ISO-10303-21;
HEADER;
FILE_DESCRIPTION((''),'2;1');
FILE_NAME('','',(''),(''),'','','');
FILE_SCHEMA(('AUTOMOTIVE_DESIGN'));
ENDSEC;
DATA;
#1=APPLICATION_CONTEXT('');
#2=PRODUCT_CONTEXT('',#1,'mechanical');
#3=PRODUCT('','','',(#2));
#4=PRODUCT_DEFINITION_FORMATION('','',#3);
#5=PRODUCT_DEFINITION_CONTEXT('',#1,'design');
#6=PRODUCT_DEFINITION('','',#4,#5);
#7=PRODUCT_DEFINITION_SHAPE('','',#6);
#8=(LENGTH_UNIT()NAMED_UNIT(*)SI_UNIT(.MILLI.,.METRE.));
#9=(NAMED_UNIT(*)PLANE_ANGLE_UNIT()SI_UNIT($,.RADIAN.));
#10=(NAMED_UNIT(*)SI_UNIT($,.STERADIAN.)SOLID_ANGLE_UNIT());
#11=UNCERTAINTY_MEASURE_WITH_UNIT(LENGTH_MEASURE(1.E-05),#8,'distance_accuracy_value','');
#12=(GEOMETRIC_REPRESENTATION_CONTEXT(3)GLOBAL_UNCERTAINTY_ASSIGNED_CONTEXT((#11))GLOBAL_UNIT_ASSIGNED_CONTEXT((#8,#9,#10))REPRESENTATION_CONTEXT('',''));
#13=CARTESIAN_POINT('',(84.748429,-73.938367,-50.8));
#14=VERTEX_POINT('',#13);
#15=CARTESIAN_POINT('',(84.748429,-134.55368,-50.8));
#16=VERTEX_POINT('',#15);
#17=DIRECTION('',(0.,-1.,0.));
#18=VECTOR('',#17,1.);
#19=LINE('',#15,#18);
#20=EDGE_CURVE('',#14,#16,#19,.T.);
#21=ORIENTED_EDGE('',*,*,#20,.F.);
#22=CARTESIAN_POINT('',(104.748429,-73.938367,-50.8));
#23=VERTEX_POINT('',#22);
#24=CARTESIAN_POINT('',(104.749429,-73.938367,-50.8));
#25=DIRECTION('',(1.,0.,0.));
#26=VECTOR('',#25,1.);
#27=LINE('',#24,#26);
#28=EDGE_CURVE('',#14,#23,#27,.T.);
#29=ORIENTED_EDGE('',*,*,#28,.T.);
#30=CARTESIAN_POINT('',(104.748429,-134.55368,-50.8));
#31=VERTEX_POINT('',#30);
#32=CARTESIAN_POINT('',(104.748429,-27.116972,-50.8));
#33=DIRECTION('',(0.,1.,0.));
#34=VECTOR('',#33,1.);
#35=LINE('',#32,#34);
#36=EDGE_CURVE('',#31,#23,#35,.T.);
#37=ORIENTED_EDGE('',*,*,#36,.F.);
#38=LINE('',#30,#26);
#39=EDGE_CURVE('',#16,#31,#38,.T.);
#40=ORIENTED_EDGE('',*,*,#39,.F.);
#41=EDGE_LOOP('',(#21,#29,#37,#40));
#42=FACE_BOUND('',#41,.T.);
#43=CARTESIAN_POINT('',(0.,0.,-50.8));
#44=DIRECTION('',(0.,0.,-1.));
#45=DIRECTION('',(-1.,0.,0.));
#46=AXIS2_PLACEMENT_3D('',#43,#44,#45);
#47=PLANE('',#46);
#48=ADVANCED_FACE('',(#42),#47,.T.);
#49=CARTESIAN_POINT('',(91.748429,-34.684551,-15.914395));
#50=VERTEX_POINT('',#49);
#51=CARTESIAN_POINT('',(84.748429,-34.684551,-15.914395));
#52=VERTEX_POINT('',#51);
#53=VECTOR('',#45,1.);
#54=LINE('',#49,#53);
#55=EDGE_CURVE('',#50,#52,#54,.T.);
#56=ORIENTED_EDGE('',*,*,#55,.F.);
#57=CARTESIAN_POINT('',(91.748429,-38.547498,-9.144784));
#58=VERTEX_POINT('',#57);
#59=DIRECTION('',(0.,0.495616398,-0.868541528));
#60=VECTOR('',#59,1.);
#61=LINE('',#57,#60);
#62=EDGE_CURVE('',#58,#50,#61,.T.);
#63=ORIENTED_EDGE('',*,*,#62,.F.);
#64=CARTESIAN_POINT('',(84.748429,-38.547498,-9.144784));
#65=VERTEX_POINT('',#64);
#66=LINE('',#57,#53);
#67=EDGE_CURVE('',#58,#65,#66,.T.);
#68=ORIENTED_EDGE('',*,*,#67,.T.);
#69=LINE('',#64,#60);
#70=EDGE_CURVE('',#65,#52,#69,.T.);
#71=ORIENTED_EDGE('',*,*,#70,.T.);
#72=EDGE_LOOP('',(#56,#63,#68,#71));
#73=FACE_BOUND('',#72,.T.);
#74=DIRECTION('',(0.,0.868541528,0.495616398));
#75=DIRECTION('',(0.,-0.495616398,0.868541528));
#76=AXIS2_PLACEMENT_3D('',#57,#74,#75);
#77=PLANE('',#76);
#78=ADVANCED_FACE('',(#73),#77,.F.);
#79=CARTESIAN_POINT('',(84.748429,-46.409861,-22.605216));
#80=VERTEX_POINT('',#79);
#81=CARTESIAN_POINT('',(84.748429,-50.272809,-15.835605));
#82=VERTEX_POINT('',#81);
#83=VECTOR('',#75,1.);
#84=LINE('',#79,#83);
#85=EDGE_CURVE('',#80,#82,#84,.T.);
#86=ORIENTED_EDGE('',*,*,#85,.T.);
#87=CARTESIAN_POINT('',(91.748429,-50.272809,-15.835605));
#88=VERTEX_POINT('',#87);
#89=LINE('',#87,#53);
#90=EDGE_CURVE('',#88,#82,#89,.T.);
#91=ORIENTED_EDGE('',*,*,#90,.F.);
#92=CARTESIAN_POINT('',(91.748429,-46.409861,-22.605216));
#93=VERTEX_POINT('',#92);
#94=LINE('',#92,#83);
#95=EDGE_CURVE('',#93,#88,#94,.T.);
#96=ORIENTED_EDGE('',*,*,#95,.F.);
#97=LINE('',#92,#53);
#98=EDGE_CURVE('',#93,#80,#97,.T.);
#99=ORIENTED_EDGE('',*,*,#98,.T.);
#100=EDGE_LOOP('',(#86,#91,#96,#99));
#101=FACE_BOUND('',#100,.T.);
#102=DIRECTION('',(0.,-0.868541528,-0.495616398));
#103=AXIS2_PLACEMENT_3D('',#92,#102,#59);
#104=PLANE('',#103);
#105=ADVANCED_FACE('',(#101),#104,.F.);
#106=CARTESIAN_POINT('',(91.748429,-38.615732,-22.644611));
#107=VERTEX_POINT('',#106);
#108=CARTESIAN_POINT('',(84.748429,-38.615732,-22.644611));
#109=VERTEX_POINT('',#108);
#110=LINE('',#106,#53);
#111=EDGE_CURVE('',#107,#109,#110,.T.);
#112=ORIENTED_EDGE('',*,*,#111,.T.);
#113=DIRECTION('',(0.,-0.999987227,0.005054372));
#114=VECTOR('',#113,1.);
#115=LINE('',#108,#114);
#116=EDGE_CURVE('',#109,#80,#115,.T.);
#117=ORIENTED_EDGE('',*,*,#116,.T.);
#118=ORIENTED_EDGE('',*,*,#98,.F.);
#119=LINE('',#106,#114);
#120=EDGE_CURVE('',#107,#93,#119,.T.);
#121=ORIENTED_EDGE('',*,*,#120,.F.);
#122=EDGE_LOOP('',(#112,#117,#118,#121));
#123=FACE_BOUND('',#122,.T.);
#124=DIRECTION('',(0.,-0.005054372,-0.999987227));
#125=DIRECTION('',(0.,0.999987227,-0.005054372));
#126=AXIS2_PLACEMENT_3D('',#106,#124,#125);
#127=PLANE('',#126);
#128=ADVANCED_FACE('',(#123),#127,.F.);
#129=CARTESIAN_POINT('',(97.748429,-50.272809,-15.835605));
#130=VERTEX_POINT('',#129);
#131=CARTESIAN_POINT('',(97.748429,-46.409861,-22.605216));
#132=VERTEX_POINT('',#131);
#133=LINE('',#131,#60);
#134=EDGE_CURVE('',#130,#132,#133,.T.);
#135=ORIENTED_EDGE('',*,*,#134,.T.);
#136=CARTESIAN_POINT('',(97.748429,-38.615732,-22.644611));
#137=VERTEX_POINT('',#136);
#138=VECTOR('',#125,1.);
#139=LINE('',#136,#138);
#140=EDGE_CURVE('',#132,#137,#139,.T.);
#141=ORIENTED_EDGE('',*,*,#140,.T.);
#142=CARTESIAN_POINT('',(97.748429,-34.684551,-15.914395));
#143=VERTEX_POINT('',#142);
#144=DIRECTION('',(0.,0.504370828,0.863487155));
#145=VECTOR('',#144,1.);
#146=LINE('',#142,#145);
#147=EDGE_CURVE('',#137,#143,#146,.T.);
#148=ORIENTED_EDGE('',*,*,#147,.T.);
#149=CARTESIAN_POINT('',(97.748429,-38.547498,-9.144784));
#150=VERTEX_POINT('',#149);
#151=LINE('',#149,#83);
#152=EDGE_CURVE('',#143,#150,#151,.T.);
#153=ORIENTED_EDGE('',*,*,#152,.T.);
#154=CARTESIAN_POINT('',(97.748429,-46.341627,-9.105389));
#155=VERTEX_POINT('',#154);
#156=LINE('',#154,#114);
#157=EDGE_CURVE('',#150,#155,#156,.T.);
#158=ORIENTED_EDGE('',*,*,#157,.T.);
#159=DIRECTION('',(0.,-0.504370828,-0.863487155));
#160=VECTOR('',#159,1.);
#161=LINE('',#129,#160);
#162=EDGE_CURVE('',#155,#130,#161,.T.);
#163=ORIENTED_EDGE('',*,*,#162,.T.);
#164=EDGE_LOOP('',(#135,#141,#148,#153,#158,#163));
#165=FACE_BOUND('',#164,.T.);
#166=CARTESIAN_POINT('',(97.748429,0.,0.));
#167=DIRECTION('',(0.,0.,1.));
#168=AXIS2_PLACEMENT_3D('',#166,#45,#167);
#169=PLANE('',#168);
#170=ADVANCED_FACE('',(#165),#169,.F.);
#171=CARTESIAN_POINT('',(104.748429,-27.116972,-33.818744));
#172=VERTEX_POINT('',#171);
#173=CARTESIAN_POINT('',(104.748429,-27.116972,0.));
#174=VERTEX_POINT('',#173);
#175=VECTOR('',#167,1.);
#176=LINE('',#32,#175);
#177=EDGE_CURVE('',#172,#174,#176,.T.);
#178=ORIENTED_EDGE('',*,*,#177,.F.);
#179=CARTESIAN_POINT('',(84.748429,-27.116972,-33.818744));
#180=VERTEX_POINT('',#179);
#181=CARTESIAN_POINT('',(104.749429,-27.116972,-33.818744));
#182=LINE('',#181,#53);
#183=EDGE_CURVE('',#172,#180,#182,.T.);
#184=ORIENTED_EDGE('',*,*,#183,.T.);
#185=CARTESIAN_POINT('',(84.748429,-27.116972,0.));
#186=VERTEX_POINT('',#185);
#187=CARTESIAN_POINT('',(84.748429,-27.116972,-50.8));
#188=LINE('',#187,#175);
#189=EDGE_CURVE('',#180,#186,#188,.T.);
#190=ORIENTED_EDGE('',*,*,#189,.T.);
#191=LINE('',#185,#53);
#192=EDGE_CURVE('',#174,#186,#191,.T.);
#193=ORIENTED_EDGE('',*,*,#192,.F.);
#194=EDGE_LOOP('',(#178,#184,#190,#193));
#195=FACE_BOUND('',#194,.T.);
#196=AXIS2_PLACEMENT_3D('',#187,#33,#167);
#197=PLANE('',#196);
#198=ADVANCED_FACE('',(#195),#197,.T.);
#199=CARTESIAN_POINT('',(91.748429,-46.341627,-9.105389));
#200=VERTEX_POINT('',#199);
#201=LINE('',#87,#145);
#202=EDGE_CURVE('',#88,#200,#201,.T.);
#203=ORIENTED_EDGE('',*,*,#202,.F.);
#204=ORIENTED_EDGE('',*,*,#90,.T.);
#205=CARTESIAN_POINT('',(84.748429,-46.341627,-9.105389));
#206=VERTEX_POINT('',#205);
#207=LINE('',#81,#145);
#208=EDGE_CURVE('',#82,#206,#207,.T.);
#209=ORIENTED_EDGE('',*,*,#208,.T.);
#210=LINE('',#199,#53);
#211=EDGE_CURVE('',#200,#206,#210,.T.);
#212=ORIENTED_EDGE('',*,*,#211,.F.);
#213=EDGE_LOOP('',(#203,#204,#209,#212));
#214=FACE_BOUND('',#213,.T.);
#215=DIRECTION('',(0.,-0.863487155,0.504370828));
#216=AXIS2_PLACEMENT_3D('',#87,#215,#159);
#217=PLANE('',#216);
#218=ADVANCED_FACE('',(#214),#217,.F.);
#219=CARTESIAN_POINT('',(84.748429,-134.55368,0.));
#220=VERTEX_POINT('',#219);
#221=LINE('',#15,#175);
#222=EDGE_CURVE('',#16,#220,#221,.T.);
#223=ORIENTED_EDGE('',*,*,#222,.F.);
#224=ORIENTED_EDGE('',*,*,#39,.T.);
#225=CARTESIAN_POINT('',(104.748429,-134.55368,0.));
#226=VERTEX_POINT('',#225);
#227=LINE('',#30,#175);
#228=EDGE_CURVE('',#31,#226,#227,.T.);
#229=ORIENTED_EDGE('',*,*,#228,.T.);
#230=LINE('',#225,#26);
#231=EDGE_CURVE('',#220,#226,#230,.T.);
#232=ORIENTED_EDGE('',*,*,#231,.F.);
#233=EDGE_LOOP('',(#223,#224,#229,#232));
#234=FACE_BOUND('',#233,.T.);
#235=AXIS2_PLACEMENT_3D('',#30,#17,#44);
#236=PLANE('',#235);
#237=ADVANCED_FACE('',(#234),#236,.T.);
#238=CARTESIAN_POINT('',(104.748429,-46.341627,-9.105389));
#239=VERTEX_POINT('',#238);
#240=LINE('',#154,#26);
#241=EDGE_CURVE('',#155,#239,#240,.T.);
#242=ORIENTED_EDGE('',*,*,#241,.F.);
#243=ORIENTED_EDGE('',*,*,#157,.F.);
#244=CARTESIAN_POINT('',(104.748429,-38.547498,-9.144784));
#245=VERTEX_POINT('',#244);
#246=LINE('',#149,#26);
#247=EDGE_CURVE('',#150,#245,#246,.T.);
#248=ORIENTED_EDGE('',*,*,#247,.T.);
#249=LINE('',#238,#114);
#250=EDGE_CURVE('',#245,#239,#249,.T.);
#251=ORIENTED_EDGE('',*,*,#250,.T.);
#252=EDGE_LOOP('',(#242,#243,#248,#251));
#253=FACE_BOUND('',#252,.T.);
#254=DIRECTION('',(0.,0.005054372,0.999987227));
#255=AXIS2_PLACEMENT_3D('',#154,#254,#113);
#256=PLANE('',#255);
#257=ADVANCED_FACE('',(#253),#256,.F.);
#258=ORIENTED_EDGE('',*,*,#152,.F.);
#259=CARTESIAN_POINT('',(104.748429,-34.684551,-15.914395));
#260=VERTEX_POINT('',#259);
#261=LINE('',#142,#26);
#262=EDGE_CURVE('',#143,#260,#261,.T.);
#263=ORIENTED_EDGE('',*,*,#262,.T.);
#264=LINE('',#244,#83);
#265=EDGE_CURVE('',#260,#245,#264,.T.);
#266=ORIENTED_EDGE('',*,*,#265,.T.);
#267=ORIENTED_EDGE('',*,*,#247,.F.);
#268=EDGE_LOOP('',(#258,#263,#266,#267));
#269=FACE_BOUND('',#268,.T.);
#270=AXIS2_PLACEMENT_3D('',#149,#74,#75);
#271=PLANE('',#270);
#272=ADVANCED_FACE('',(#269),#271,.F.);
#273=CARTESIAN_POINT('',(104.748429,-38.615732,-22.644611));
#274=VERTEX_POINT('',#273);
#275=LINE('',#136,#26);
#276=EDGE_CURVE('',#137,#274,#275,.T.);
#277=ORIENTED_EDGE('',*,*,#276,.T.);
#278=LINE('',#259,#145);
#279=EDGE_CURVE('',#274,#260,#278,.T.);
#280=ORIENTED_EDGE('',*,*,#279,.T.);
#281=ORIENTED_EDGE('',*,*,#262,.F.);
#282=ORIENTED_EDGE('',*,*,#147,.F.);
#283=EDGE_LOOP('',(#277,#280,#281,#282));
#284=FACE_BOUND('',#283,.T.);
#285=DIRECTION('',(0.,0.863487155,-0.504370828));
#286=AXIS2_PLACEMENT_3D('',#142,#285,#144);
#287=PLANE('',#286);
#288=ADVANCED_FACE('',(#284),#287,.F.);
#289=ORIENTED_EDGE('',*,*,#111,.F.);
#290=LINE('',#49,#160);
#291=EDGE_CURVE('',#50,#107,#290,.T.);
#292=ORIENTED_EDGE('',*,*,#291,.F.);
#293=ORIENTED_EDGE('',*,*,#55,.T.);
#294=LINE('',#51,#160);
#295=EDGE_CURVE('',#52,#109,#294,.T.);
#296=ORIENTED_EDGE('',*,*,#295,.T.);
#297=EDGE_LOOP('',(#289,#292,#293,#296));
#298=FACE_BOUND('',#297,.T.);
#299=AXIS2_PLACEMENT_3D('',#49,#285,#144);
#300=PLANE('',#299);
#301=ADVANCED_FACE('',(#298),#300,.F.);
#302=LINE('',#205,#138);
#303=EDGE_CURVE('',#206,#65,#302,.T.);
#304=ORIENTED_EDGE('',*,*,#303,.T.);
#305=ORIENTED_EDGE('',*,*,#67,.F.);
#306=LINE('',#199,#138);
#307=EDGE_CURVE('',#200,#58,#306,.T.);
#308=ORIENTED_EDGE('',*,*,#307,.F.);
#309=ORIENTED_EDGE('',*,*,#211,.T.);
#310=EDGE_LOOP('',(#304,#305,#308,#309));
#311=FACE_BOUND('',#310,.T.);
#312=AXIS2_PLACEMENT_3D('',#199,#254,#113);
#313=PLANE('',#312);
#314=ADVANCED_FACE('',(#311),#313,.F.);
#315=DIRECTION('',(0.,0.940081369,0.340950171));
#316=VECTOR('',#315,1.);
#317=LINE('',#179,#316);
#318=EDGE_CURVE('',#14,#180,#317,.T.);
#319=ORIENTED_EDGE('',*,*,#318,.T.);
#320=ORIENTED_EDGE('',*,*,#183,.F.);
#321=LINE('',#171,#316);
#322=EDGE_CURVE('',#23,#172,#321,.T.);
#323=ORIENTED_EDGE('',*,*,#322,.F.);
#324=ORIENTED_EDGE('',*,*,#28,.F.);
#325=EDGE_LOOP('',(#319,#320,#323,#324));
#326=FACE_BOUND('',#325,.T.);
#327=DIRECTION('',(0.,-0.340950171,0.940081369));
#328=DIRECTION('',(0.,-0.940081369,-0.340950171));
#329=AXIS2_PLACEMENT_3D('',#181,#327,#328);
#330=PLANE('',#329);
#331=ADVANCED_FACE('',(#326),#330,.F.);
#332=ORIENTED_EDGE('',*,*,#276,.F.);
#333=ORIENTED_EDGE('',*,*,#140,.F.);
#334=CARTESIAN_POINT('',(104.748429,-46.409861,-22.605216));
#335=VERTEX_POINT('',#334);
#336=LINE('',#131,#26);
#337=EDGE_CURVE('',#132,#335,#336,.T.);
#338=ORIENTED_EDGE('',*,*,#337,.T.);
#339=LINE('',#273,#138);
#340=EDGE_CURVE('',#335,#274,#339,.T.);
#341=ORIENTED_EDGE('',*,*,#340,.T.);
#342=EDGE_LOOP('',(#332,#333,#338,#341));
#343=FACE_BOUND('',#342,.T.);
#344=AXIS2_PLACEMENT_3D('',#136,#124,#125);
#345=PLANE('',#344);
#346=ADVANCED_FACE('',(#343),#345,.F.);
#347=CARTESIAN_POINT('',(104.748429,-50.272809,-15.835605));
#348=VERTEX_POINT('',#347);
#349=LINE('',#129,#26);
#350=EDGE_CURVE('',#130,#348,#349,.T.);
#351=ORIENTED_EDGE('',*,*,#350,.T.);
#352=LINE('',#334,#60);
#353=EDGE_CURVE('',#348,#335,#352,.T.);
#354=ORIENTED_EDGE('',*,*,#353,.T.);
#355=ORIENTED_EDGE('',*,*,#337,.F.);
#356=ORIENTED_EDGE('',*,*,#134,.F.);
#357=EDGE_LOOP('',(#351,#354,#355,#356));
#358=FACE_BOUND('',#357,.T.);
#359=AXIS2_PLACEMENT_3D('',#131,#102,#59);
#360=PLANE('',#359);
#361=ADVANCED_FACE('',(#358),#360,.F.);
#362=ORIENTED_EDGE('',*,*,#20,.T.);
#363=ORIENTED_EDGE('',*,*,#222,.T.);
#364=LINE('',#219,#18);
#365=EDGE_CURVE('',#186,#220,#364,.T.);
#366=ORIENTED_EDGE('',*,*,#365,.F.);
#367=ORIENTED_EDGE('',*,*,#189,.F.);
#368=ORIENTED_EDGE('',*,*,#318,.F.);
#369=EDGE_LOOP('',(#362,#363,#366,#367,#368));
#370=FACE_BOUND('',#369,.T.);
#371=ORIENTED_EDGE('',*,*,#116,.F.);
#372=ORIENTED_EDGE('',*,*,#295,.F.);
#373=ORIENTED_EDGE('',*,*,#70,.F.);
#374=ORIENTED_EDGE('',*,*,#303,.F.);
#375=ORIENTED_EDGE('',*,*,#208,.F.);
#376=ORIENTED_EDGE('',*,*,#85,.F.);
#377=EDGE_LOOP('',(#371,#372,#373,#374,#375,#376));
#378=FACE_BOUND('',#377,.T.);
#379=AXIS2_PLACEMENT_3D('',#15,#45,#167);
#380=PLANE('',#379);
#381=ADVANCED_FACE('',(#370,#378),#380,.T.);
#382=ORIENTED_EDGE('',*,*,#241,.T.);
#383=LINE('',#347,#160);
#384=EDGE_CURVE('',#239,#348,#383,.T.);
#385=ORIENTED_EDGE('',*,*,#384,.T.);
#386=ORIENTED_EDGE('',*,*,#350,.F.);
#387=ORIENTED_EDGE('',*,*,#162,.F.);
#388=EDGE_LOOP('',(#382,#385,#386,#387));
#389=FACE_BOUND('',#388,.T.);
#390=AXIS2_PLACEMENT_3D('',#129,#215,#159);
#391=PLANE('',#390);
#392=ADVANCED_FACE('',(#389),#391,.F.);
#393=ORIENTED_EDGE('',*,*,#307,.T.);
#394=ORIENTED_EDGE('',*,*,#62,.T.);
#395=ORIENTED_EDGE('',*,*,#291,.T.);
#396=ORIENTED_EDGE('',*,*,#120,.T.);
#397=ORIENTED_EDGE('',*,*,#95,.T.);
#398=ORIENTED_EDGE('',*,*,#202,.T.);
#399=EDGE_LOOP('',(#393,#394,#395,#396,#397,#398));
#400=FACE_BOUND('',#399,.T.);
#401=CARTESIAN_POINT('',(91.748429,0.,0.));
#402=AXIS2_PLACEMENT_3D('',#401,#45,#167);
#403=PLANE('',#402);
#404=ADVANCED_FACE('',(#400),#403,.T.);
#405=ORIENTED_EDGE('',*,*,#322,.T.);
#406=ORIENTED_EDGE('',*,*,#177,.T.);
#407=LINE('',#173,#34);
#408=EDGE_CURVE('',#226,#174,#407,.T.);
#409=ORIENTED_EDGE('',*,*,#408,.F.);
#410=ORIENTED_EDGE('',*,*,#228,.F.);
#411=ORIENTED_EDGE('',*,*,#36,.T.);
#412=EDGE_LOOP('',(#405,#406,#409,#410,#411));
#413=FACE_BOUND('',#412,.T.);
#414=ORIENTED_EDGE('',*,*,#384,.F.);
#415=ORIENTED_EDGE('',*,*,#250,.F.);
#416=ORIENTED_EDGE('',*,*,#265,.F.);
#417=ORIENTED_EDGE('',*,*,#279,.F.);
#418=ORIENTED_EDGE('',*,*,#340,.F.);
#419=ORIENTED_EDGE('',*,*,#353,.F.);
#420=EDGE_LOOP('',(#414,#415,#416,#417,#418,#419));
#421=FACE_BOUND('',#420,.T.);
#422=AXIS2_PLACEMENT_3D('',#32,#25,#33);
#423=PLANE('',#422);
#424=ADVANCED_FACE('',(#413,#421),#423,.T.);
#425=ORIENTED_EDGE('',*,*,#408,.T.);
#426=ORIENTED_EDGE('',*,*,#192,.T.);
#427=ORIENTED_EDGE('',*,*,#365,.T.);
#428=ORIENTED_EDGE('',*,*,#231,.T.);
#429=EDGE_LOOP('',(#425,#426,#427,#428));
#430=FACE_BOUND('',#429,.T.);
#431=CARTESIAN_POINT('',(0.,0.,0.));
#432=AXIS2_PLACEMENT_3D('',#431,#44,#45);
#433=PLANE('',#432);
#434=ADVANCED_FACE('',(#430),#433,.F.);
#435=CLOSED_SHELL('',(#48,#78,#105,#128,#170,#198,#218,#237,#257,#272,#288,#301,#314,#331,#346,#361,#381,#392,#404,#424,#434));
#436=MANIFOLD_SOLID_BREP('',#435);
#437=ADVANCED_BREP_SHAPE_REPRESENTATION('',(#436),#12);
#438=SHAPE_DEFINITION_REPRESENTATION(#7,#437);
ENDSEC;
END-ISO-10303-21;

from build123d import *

# Parameters (mm, degrees)
SKETCH1_W           = 20
SKETCH1_H           = 107.436707244
BOSS_EXTRUDE1_DEPTH = 50.8
CUT_EXTRUDE2_DEPTH  = 7
CUT_EXTRUDE3_DEPTH  = 7
CUT_EXTRUDE4_REACH  = 147.208


with BuildPart() as part:
    # Sketch1 → Boss-Extrude1 (new body)
    with BuildSketch(Plane.XY):
        with Locations((94.748429341, -80.835326077)):
            Rectangle(SKETCH1_W, SKETCH1_H)
    extrude(amount=-BOSS_EXTRUDE1_DEPTH)

    # Sketch3 → Cut-Extrude2 (cut)
    with BuildSketch(Plane.ZY.offset(-84.748429341)):
        Polygon((-9.144783688, -38.547498147), (-15.914394935, -34.684550624), (-22.644611247, -38.615732175), (-22.605216312, -46.40986125), (-15.835605065, -50.272808774), (-9.105388753, -46.341627222), align=None)
    extrude(amount=-CUT_EXTRUDE2_DEPTH, mode=Mode.SUBTRACT)

    # Sketch4 → Cut-Extrude3 (cut)
    with BuildSketch(Plane(origin=(104.748429341, 0, 0), x_dir=(0, 0, -1), z_dir=(1, 0, 0))):
        Polygon((15.835605065, -50.272808774), (9.105388753, -46.341627222), (9.144783688, -38.547498147), (15.914394935, -34.684550624), (22.644611247, -38.615732175), (22.605216312, -46.40986125), align=None)
    extrude(amount=-CUT_EXTRUDE3_DEPTH, mode=Mode.SUBTRACT)

    # Sketch5 → Cut-Extrude4 (cut, up to next)
    with BuildSketch(Plane.ZY.offset(-84.748429341), mode=Mode.PRIVATE) as cut_extrude4_sk1:
        Polygon((-33.818744012, -27.116972455), (-50.8, -73.938366723), (-50.970000022, -27.115638049), align=None)
    cut_extrude4_tool1 = extrude(cut_extrude4_sk1.sketch, amount=-CUT_EXTRUDE4_REACH, mode=Mode.PRIVATE) & part.part
    add(cut_extrude4_tool1.solids().sort_by_distance((84.748429, -42.723659, -45.196248))[0], mode=Mode.SUBTRACT)


solid = part.part
